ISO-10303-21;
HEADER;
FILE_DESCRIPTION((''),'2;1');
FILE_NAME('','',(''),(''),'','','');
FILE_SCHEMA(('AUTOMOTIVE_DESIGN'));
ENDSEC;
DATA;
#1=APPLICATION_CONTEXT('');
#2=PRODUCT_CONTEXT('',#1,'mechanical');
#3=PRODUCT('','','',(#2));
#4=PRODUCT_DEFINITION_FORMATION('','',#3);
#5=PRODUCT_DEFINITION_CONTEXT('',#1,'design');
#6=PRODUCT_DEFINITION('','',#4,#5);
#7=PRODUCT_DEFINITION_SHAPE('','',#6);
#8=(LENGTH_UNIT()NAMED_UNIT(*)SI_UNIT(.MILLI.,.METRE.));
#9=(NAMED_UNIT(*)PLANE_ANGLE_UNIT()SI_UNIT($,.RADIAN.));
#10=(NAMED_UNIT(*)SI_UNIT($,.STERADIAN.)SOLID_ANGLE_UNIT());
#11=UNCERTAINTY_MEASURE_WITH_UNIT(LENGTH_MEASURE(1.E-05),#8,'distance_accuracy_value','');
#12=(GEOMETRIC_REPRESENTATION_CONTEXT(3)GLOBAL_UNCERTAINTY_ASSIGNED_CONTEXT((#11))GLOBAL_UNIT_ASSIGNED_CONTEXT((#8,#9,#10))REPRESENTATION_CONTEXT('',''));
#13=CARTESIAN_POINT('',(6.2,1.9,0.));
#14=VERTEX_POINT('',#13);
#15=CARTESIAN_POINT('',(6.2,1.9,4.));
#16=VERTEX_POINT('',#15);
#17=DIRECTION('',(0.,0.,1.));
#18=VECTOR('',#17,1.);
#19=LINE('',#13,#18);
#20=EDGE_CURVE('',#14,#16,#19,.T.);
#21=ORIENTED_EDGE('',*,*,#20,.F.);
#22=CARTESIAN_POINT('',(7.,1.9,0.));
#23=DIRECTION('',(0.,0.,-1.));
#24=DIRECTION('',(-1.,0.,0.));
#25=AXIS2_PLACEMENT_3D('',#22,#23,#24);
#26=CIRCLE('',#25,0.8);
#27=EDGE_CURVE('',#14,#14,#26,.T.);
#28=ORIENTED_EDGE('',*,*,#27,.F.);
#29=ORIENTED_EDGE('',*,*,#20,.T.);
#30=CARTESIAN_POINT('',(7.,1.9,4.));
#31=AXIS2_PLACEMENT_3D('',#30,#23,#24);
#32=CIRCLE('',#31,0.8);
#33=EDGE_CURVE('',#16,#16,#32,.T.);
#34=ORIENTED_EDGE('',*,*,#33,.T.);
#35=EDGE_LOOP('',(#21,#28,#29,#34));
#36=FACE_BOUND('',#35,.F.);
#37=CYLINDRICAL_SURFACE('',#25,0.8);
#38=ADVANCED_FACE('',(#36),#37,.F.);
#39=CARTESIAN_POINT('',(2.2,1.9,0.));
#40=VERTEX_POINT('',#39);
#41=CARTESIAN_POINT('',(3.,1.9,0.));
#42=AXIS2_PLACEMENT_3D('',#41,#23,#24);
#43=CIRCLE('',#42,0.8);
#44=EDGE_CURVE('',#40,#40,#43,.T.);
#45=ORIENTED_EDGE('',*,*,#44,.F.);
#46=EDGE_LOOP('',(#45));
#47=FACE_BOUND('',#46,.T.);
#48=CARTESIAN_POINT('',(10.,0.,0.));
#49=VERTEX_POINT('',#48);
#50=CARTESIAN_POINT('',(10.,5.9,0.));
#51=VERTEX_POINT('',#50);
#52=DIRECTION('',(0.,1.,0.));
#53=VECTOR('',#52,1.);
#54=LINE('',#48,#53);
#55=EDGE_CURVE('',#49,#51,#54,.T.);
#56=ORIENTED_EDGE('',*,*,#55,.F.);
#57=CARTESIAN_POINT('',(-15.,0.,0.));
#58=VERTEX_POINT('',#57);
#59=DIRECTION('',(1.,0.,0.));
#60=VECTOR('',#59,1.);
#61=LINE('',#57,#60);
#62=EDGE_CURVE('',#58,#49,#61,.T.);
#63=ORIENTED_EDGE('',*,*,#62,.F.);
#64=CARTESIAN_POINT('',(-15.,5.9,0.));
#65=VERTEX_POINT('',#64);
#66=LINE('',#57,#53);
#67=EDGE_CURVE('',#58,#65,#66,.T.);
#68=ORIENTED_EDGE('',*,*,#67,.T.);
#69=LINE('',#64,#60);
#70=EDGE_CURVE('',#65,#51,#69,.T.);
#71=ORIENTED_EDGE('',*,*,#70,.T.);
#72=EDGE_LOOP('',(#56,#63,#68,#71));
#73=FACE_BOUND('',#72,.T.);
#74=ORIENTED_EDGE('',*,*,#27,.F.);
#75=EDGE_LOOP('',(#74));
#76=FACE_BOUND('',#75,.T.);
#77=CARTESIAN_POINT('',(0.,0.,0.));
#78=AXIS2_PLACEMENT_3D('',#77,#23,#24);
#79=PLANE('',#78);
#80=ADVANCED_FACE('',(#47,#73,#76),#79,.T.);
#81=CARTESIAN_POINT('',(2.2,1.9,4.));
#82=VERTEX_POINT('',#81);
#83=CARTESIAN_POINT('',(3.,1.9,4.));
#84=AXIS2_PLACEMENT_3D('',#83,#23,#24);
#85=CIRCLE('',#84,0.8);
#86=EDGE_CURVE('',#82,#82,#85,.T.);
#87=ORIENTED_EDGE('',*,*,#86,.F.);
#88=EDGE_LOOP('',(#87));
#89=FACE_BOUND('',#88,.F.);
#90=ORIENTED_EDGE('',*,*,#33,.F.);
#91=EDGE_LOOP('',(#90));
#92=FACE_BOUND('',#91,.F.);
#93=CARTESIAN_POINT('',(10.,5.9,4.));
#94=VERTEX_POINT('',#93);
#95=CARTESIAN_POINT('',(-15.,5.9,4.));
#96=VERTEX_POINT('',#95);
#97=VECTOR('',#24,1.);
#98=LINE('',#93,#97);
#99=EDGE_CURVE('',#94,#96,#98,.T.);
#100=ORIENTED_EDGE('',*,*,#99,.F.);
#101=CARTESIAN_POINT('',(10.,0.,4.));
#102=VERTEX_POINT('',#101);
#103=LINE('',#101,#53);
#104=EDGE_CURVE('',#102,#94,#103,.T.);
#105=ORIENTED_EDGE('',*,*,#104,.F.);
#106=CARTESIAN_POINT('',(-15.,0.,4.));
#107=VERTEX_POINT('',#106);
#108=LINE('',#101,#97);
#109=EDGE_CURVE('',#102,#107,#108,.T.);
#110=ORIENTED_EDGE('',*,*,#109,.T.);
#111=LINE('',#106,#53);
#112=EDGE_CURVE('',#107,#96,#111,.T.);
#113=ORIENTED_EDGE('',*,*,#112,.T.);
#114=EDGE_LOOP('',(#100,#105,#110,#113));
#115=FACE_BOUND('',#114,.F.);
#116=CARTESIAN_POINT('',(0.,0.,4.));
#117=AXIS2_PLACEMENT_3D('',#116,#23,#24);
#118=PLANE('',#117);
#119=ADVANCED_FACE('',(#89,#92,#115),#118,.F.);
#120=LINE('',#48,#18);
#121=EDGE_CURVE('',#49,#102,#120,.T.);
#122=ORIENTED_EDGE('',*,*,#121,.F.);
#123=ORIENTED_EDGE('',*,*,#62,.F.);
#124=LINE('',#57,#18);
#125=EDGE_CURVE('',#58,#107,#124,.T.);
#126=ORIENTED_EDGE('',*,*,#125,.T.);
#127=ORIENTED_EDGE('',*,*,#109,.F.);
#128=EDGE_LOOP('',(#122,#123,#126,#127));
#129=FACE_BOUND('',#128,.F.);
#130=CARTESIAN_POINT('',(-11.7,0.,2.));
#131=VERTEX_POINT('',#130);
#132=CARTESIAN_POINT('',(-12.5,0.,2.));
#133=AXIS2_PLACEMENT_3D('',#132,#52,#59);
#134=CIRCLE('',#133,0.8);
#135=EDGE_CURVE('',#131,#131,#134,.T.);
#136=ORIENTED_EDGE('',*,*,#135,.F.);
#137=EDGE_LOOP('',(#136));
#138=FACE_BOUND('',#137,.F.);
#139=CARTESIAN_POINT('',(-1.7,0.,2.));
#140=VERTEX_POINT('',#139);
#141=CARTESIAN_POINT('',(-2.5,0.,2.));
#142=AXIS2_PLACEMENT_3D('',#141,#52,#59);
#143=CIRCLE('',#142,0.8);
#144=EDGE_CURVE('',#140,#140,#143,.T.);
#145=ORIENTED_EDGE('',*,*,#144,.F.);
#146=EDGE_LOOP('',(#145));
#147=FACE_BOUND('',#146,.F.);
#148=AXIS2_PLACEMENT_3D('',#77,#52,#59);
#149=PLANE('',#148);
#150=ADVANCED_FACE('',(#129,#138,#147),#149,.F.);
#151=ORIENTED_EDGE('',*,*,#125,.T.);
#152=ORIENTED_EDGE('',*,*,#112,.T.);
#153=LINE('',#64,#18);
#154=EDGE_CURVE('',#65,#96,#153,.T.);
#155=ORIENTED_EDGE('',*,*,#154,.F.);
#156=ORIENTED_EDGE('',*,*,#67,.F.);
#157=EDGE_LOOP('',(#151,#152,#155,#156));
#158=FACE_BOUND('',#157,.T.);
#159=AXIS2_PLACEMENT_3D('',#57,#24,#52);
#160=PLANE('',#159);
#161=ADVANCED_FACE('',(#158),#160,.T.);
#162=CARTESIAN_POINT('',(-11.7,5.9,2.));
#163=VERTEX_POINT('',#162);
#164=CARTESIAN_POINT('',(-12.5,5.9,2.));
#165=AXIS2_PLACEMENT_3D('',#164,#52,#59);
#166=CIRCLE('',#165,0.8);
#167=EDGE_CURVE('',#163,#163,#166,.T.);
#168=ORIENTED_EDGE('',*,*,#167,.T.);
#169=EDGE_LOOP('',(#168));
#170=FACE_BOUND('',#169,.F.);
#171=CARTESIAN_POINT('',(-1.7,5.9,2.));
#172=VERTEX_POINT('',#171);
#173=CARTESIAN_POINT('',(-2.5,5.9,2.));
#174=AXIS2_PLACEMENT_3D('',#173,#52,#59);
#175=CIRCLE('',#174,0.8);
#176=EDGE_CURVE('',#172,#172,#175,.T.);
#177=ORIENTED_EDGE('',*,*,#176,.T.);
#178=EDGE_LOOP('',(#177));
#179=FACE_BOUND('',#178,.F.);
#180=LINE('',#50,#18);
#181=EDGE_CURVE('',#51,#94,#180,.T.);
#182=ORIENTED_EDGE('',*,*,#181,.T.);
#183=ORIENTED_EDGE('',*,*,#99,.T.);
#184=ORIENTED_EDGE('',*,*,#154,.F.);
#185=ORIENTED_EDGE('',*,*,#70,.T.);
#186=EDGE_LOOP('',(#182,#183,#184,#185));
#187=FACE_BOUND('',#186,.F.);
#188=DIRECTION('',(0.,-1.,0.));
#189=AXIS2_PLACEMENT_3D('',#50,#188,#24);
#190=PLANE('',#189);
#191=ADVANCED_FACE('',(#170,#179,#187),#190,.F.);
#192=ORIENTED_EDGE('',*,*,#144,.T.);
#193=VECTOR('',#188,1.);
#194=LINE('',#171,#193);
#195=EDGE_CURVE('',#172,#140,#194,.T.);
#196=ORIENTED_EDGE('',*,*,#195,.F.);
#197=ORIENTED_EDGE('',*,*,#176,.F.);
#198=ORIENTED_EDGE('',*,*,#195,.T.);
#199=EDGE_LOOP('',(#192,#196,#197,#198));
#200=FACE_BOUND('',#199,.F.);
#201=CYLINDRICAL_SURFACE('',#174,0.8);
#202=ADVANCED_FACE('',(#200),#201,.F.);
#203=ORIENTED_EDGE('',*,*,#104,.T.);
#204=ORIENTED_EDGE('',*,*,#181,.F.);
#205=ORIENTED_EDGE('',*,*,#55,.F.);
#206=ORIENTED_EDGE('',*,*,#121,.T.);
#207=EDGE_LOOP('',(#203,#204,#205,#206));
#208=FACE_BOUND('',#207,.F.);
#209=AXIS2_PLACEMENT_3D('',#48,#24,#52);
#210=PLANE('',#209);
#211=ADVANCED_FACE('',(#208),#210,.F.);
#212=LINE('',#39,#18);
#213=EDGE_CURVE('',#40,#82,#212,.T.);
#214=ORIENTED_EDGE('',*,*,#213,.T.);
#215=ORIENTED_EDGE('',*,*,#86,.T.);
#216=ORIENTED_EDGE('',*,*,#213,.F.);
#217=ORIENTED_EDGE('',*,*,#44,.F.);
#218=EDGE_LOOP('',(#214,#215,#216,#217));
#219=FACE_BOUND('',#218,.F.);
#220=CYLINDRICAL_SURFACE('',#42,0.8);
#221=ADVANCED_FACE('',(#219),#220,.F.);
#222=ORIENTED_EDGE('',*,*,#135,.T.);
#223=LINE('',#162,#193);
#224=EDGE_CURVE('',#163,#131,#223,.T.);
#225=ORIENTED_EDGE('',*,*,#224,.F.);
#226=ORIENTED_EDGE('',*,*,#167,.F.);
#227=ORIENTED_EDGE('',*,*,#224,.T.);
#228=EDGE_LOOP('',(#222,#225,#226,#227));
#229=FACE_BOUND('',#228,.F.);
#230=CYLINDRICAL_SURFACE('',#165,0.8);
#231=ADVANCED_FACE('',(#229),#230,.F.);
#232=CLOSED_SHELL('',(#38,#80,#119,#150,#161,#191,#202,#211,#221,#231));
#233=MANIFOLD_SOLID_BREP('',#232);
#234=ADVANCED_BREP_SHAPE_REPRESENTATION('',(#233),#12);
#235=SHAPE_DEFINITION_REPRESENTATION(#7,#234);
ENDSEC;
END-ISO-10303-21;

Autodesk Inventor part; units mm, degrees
ref_plane "YZ Plane" through (0, 0, 0) normal (1, 0, 0) x (0, 1, 0)
ref_plane "XZ Plane" through (0, 0, 0) normal (0, 1, 0) x (-1, 0, 0)
ref_plane "XY Plane" through (0, 0, 0) normal (0, 0, 1) x (1, 0, 0)
sketch "Sketch1" plane through (0, 0, 0) normal (0, 0, 1) x (1, 0, 0)
  line L0 (0, 0) -> (-15, 0)
  line L1 (-15, 0) -> (-15, 5.9)
  line L2 (-15, 5.9) -> (0, 5.9)
  line L3 (0, 5.9) -> (0, 0)
  dimension "d0" = 5.9
  dimension "d1" = 15
extrude "Extrusion1" add sketch "Sketch1" along normal blind 4
sketch "Sketch2" plane through (-15, 5.9, 0) normal (0, 1, 0) x (1, 0, 0)
  circle A0 centre (12.5, -2) radius 0.8
  circle A1 centre (2.5, -2) radius 0.8
  line L0 (15, 0) -> (15, -4) projected
  line L1 (15, -4) -> (0, -4) projected
  dimension "d4" = 10
  dimension "d5" = 2.5
  dimension "d6" = 2
  dimension "d7" = 2
  dimension "d8" = 1.6
  dimension "d9" = 1.6
extrude "Extrusion2" cut sketch "Sketch2" against normal blind 8
sketch "Sketch3" plane through (0, 0, 0) normal (0, 0, -1) x (-1, 0, 0)
  line L0 (0, 0) -> (0, 5.9) projected
  line L1 (0, 0) -> (-10, 0)
  line L2 (-10, 0) -> (-10, 5.9)
  line L3 (-10, 5.9) -> (0, 5.9)
  line L4 (0, 5.9) -> (0, 0)
  dimension "d12" = 10
extrude "Extrusion3" add sketch "Sketch3" against normal blind 4
sketch "Sketch4" plane through (0, 0, 0) normal (0, 0, -1) x (-1, 0, 0)
  line L0 (3.3, 5.9) -> (3.3, 0) projected
  line L1 (1.7, 5.9) -> (1.7, 0) projected
  circle A0 centre (-3, 1.9) radius 0.8
  circle A1 centre (-7, 1.9) radius 0.8
  line L2 (-10, 5.9) -> (15, 5.9) projected
  line L3 (15, 0) -> (-10, 0) projected
  line L4 (-10, 5.9) -> (-10, 0) projected
  point P0 (0, 0)
  dimension "d15" = 1.6
  dimension "d16" = 5.9
  dimension "d17" = 4
  dimension "d18" = 4
  dimension "d19" = 4
  dimension "d20" = 3
  dimension "d21" = 1.6
  dimension "d22" = 1.6
extrude "Extrusion4" cut sketch "Sketch4" against normal blind 4 contours A0 | A1
equation "\"d7\" = d6"
equation "\"d18\" = d17"
equation "\"d21\" = d15"
equation "\"d22\" = d15"
properties part number "AngleScrewBlocActuator"
